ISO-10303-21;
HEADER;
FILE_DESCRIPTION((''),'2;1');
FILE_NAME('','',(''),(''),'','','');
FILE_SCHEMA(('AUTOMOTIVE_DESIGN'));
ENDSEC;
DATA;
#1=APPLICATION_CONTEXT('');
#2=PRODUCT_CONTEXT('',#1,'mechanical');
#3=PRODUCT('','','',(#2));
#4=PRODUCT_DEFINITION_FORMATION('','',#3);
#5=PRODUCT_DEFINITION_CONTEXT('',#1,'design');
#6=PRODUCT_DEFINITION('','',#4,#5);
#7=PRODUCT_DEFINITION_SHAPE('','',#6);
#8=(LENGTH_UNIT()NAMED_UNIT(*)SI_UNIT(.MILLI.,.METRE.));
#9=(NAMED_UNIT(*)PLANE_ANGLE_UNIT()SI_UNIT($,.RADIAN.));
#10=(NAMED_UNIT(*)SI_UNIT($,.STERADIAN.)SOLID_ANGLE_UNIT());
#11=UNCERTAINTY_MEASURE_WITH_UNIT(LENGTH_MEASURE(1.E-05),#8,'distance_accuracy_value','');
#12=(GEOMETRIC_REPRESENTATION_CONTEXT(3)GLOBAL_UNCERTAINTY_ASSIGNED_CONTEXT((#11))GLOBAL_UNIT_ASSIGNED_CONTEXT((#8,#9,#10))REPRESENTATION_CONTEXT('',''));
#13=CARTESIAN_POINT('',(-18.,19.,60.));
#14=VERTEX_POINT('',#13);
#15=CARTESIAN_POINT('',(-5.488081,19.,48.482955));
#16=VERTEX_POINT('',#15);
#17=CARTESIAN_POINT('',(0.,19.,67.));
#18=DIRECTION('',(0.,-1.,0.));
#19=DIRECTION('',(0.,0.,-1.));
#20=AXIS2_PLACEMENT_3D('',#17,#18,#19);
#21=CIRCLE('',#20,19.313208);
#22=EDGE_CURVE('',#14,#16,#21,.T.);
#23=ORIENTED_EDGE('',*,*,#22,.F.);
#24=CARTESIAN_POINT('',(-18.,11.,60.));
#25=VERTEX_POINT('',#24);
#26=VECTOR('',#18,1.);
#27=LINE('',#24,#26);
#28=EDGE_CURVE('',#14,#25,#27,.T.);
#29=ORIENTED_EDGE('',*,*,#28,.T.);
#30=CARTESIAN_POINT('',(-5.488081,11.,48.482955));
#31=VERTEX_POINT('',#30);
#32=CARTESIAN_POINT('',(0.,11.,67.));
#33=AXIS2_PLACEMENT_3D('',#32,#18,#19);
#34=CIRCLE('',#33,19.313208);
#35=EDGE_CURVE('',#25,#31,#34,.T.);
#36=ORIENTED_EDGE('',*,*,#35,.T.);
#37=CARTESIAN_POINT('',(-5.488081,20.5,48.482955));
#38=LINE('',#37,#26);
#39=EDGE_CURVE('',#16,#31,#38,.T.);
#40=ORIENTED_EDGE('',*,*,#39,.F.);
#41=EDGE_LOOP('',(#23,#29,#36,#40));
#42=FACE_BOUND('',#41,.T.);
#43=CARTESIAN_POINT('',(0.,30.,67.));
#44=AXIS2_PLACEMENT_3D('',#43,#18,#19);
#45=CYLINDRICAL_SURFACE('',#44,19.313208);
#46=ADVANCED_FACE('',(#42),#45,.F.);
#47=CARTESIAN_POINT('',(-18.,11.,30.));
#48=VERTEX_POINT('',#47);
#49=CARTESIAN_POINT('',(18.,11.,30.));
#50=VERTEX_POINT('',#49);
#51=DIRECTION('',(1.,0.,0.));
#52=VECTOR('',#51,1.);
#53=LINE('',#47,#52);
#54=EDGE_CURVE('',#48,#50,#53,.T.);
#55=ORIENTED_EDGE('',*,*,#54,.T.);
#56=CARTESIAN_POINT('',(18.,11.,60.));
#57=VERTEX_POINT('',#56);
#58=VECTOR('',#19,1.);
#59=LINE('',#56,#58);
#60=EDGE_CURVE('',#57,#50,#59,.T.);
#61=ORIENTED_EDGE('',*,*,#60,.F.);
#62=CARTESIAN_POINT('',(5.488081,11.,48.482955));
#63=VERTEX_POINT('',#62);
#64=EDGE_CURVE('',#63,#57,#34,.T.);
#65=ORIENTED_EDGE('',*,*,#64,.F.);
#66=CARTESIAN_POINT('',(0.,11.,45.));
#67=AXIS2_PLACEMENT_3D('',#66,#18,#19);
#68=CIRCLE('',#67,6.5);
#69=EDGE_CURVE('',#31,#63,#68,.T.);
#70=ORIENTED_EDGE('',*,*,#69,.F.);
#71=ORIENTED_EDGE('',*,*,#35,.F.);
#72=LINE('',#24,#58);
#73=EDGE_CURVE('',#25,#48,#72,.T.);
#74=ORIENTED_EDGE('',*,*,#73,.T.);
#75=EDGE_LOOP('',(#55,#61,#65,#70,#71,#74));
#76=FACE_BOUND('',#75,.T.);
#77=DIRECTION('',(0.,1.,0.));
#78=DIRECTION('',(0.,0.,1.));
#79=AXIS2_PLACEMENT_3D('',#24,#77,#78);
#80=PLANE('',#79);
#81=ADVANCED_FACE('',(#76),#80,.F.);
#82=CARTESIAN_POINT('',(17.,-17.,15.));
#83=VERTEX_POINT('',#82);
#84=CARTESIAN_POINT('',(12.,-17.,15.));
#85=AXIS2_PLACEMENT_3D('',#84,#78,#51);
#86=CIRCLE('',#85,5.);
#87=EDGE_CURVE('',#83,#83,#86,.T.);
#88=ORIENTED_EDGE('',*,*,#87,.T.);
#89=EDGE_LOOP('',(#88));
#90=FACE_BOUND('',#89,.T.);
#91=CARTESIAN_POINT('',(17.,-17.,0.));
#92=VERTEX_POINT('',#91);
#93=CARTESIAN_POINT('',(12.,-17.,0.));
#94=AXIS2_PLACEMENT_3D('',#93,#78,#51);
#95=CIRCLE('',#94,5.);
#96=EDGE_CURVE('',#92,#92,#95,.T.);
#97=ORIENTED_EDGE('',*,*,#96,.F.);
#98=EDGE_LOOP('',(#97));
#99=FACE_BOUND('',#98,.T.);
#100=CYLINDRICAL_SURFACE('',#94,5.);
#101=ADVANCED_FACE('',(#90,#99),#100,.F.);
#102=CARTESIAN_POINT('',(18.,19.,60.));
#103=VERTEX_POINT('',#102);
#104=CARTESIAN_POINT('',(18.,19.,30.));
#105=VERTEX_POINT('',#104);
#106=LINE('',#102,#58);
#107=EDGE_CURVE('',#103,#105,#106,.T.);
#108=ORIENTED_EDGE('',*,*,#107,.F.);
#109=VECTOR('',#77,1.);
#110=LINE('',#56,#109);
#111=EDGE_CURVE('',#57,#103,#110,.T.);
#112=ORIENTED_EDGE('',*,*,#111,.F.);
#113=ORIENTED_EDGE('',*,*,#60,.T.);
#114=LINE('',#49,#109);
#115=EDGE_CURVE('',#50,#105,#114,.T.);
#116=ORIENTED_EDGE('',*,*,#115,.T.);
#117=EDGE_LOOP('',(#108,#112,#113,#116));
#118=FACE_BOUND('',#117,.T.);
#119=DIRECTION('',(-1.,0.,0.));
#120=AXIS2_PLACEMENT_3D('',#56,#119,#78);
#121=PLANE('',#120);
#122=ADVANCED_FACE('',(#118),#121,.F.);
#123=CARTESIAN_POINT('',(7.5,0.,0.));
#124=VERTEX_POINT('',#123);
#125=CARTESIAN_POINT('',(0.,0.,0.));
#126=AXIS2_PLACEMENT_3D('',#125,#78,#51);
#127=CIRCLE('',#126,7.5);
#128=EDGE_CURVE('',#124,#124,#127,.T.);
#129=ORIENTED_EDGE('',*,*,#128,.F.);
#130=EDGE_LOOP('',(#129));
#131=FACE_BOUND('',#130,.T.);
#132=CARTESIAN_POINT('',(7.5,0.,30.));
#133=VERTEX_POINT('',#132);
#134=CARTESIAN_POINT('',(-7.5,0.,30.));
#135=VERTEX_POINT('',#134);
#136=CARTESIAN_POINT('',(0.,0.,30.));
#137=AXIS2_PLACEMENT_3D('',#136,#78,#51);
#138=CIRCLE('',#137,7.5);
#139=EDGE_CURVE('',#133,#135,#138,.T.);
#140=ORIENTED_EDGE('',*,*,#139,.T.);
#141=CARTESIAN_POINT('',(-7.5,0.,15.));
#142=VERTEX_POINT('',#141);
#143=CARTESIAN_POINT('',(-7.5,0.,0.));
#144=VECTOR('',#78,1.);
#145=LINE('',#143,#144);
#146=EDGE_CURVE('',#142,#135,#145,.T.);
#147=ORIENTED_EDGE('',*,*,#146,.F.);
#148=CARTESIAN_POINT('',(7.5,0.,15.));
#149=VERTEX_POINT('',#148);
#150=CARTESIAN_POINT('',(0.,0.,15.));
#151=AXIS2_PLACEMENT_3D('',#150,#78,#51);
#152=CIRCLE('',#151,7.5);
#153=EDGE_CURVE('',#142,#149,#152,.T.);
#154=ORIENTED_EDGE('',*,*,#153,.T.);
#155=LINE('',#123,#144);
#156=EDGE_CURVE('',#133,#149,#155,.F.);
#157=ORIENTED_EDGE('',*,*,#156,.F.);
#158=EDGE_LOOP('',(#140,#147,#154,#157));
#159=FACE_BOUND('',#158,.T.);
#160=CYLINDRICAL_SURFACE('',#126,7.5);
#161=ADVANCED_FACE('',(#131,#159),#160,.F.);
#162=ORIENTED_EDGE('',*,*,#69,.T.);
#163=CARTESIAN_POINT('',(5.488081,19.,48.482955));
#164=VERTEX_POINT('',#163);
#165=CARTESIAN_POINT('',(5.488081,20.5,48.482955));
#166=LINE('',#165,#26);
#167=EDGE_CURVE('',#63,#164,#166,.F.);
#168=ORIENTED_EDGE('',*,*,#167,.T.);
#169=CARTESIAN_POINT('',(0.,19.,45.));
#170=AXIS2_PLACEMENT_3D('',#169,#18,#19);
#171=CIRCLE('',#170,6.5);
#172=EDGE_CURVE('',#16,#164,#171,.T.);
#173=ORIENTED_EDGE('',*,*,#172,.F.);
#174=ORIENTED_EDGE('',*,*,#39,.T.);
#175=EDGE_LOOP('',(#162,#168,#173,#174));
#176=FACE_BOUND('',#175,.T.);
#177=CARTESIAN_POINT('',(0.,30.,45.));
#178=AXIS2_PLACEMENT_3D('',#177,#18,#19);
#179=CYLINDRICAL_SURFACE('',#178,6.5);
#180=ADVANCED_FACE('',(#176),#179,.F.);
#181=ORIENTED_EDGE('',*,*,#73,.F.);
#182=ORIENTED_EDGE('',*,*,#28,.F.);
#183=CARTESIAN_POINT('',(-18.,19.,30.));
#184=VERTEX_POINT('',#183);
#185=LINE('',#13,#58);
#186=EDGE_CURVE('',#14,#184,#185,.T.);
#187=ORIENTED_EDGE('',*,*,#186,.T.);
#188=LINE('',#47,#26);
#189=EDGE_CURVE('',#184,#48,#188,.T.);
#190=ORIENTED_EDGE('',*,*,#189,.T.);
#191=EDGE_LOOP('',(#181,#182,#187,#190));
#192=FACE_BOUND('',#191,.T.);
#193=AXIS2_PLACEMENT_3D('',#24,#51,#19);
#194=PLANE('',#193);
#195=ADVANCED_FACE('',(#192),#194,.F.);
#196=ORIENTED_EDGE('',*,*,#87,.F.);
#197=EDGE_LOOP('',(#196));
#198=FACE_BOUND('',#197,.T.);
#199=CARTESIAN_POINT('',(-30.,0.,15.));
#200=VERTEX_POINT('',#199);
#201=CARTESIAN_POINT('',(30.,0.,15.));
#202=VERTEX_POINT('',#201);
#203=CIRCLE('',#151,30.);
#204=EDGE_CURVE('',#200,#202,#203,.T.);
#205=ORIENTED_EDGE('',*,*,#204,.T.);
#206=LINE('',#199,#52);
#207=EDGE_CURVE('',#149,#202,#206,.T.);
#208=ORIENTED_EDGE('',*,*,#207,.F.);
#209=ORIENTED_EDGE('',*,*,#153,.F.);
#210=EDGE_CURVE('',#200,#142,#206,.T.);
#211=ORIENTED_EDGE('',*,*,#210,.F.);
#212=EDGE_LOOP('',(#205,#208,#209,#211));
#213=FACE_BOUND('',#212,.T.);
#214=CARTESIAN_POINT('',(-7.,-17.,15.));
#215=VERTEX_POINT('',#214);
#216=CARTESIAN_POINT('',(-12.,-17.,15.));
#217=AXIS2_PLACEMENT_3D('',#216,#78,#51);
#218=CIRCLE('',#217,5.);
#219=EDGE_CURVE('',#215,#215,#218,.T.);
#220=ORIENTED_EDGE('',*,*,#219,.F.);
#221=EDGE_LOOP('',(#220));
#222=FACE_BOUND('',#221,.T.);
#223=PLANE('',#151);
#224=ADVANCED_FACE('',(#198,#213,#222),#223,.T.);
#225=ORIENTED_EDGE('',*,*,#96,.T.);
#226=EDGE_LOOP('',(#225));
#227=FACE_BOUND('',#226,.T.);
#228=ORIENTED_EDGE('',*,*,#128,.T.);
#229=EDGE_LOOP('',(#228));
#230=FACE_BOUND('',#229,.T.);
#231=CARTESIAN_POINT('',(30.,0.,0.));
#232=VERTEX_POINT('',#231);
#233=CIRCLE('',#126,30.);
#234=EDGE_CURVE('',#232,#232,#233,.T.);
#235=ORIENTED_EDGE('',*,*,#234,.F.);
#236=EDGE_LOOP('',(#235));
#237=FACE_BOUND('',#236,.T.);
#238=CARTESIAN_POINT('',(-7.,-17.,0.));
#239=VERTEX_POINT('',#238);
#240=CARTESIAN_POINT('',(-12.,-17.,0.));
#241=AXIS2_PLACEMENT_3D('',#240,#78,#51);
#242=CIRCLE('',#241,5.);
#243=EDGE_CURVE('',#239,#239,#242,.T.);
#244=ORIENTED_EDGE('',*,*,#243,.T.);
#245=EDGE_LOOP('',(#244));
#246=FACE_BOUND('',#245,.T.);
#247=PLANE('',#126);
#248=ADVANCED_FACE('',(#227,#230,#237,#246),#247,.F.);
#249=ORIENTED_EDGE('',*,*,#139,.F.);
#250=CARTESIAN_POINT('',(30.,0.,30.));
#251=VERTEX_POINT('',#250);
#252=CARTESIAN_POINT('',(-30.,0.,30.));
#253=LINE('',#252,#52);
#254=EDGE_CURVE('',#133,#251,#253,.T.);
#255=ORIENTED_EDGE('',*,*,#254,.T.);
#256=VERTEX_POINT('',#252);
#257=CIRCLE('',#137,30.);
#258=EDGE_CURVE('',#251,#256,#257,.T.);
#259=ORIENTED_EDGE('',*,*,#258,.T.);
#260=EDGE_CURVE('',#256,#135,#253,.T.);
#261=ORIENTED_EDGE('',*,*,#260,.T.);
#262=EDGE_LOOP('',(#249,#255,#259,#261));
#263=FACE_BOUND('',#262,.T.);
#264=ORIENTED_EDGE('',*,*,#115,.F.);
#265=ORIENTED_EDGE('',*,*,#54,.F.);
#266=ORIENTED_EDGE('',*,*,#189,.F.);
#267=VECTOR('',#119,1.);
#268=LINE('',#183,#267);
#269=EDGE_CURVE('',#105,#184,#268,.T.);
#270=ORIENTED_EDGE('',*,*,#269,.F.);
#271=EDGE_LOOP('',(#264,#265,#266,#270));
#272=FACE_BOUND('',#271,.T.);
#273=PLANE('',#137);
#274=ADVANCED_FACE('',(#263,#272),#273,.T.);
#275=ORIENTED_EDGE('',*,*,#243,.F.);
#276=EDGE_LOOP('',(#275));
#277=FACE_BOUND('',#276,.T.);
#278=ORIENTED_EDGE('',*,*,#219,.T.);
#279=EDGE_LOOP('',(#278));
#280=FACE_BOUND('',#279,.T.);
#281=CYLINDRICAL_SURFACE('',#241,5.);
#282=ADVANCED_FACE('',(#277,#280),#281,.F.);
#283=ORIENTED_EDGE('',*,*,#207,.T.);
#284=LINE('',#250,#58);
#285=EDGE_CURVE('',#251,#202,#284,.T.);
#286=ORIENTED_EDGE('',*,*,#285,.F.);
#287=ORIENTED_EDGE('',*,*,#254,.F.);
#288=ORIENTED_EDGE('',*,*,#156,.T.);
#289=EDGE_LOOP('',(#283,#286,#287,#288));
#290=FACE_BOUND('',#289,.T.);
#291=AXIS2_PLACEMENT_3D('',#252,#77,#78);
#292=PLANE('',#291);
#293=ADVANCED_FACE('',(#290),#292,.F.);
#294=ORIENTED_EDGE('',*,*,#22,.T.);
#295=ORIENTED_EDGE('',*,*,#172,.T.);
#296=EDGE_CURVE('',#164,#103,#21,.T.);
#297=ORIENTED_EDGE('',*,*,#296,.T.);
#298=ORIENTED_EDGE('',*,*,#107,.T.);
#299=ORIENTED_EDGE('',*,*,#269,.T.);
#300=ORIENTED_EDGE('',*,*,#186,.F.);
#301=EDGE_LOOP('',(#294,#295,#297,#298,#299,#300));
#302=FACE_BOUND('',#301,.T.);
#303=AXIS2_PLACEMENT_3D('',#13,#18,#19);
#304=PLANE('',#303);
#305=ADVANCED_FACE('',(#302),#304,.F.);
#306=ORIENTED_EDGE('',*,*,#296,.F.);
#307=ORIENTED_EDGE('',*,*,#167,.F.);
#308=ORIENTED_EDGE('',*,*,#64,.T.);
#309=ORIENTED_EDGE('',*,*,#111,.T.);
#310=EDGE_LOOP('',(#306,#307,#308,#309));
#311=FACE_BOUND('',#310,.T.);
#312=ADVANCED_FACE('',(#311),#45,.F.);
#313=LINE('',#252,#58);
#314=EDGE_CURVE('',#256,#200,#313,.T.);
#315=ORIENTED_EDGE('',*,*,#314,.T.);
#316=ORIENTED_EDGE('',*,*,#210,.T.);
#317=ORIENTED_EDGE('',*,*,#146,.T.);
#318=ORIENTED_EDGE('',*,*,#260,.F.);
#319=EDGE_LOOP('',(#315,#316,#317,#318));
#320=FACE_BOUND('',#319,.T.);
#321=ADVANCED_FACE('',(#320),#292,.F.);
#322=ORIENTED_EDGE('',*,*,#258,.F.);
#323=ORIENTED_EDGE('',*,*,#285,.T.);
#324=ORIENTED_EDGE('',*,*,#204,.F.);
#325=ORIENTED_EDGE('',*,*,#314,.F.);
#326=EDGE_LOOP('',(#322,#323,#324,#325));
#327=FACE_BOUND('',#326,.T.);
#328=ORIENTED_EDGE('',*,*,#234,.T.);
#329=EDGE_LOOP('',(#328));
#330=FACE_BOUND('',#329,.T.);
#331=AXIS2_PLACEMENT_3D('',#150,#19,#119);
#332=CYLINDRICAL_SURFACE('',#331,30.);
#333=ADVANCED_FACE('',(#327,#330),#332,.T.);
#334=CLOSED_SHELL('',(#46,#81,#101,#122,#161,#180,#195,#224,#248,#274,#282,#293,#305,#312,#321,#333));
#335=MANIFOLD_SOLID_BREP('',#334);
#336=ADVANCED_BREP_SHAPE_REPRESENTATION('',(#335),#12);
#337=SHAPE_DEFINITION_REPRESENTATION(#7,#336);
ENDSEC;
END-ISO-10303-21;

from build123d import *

# Parameters (mm, degrees)
SKETCH_1_R          = 30
EXTRUDE_1_DEPTH     = 15
EXTRUDE_2_DEPTH     = 15
SKETCH_3_R          = 7.5
CUT_EXTRUDE_1_DEPTH = 52.961524227
SKETCH_4_W          = 36
SKETCH_4_H          = 8
EXTRUDE_3_DEPTH     = 30
SKETCH_6_R          = 6.5
CUT_EXTRUDE_3_DEPTH = 79.619336044
SKETCH_5_R          = 19.313207916
CUT_EXTRUDE_4_DEPTH = 79.619336044
SKETCH_7_R          = 5
CUT_EXTRUDE_5_DEPTH = 62.846584384


with BuildPart() as part:
    # Эскиз1 → Бобышка-Вытянуть1 (new body)
    with BuildSketch(Plane.XY):
        Circle(SKETCH_1_R)
    extrude(amount=EXTRUDE_1_DEPTH)

    # Эскиз2 → Бобышка-Вытянуть2 (add)
    with BuildSketch(Plane.XY.offset(15)):
        with BuildLine():
            Line((-30, 0), (30, 0))
            ThreePointArc((30, 0), (0, 30), (-30, 0))
        make_face()
    extrude(amount=EXTRUDE_2_DEPTH)

    # Эскиз3 → Вырез-Вытянуть1 (cut, through all)
    with BuildSketch(Plane.XY.offset(30)):
        Circle(SKETCH_3_R)
    extrude(amount=-CUT_EXTRUDE_1_DEPTH, mode=Mode.SUBTRACT)

    # Эскиз4 → Бобышка-Вытянуть3 (add)
    with BuildSketch(Plane.XY.offset(30)):
        with Locations((0, 15)):
            Rectangle(SKETCH_4_W, SKETCH_4_H)
    extrude(amount=EXTRUDE_3_DEPTH)

    # Эскиз6 → Вырез-Вытянуть3 (cut, through all)
    with BuildSketch(Plane(origin=(0, 11, 0), x_dir=(-1, 0, 0), z_dir=(0, -1, 0))):
        with Locations(Location((0, -45, 0), (0, 0, 90))):
            Circle(SKETCH_6_R)
    extrude(amount=-CUT_EXTRUDE_3_DEPTH, mode=Mode.SUBTRACT)

    # Эскиз5 → Вырез-Вытянуть4 (cut, through all)
    with BuildSketch(Plane(origin=(0, 11, 0), x_dir=(-1, 0, 0), z_dir=(0, -1, 0))):
        with Locations((0, -67)):
            Circle(SKETCH_5_R)
    extrude(amount=-CUT_EXTRUDE_4_DEPTH, mode=Mode.SUBTRACT)

    # Эскиз7 → Вырез-Вытянуть5 (cut, through all)
    with BuildSketch(Plane.XY.offset(15)):
        with Locations((-12, -17)):
            Circle(SKETCH_7_R)
        with Locations((12, -17)):
            Circle(SKETCH_7_R)
    extrude(amount=-CUT_EXTRUDE_5_DEPTH, mode=Mode.SUBTRACT)


solid = part.part
